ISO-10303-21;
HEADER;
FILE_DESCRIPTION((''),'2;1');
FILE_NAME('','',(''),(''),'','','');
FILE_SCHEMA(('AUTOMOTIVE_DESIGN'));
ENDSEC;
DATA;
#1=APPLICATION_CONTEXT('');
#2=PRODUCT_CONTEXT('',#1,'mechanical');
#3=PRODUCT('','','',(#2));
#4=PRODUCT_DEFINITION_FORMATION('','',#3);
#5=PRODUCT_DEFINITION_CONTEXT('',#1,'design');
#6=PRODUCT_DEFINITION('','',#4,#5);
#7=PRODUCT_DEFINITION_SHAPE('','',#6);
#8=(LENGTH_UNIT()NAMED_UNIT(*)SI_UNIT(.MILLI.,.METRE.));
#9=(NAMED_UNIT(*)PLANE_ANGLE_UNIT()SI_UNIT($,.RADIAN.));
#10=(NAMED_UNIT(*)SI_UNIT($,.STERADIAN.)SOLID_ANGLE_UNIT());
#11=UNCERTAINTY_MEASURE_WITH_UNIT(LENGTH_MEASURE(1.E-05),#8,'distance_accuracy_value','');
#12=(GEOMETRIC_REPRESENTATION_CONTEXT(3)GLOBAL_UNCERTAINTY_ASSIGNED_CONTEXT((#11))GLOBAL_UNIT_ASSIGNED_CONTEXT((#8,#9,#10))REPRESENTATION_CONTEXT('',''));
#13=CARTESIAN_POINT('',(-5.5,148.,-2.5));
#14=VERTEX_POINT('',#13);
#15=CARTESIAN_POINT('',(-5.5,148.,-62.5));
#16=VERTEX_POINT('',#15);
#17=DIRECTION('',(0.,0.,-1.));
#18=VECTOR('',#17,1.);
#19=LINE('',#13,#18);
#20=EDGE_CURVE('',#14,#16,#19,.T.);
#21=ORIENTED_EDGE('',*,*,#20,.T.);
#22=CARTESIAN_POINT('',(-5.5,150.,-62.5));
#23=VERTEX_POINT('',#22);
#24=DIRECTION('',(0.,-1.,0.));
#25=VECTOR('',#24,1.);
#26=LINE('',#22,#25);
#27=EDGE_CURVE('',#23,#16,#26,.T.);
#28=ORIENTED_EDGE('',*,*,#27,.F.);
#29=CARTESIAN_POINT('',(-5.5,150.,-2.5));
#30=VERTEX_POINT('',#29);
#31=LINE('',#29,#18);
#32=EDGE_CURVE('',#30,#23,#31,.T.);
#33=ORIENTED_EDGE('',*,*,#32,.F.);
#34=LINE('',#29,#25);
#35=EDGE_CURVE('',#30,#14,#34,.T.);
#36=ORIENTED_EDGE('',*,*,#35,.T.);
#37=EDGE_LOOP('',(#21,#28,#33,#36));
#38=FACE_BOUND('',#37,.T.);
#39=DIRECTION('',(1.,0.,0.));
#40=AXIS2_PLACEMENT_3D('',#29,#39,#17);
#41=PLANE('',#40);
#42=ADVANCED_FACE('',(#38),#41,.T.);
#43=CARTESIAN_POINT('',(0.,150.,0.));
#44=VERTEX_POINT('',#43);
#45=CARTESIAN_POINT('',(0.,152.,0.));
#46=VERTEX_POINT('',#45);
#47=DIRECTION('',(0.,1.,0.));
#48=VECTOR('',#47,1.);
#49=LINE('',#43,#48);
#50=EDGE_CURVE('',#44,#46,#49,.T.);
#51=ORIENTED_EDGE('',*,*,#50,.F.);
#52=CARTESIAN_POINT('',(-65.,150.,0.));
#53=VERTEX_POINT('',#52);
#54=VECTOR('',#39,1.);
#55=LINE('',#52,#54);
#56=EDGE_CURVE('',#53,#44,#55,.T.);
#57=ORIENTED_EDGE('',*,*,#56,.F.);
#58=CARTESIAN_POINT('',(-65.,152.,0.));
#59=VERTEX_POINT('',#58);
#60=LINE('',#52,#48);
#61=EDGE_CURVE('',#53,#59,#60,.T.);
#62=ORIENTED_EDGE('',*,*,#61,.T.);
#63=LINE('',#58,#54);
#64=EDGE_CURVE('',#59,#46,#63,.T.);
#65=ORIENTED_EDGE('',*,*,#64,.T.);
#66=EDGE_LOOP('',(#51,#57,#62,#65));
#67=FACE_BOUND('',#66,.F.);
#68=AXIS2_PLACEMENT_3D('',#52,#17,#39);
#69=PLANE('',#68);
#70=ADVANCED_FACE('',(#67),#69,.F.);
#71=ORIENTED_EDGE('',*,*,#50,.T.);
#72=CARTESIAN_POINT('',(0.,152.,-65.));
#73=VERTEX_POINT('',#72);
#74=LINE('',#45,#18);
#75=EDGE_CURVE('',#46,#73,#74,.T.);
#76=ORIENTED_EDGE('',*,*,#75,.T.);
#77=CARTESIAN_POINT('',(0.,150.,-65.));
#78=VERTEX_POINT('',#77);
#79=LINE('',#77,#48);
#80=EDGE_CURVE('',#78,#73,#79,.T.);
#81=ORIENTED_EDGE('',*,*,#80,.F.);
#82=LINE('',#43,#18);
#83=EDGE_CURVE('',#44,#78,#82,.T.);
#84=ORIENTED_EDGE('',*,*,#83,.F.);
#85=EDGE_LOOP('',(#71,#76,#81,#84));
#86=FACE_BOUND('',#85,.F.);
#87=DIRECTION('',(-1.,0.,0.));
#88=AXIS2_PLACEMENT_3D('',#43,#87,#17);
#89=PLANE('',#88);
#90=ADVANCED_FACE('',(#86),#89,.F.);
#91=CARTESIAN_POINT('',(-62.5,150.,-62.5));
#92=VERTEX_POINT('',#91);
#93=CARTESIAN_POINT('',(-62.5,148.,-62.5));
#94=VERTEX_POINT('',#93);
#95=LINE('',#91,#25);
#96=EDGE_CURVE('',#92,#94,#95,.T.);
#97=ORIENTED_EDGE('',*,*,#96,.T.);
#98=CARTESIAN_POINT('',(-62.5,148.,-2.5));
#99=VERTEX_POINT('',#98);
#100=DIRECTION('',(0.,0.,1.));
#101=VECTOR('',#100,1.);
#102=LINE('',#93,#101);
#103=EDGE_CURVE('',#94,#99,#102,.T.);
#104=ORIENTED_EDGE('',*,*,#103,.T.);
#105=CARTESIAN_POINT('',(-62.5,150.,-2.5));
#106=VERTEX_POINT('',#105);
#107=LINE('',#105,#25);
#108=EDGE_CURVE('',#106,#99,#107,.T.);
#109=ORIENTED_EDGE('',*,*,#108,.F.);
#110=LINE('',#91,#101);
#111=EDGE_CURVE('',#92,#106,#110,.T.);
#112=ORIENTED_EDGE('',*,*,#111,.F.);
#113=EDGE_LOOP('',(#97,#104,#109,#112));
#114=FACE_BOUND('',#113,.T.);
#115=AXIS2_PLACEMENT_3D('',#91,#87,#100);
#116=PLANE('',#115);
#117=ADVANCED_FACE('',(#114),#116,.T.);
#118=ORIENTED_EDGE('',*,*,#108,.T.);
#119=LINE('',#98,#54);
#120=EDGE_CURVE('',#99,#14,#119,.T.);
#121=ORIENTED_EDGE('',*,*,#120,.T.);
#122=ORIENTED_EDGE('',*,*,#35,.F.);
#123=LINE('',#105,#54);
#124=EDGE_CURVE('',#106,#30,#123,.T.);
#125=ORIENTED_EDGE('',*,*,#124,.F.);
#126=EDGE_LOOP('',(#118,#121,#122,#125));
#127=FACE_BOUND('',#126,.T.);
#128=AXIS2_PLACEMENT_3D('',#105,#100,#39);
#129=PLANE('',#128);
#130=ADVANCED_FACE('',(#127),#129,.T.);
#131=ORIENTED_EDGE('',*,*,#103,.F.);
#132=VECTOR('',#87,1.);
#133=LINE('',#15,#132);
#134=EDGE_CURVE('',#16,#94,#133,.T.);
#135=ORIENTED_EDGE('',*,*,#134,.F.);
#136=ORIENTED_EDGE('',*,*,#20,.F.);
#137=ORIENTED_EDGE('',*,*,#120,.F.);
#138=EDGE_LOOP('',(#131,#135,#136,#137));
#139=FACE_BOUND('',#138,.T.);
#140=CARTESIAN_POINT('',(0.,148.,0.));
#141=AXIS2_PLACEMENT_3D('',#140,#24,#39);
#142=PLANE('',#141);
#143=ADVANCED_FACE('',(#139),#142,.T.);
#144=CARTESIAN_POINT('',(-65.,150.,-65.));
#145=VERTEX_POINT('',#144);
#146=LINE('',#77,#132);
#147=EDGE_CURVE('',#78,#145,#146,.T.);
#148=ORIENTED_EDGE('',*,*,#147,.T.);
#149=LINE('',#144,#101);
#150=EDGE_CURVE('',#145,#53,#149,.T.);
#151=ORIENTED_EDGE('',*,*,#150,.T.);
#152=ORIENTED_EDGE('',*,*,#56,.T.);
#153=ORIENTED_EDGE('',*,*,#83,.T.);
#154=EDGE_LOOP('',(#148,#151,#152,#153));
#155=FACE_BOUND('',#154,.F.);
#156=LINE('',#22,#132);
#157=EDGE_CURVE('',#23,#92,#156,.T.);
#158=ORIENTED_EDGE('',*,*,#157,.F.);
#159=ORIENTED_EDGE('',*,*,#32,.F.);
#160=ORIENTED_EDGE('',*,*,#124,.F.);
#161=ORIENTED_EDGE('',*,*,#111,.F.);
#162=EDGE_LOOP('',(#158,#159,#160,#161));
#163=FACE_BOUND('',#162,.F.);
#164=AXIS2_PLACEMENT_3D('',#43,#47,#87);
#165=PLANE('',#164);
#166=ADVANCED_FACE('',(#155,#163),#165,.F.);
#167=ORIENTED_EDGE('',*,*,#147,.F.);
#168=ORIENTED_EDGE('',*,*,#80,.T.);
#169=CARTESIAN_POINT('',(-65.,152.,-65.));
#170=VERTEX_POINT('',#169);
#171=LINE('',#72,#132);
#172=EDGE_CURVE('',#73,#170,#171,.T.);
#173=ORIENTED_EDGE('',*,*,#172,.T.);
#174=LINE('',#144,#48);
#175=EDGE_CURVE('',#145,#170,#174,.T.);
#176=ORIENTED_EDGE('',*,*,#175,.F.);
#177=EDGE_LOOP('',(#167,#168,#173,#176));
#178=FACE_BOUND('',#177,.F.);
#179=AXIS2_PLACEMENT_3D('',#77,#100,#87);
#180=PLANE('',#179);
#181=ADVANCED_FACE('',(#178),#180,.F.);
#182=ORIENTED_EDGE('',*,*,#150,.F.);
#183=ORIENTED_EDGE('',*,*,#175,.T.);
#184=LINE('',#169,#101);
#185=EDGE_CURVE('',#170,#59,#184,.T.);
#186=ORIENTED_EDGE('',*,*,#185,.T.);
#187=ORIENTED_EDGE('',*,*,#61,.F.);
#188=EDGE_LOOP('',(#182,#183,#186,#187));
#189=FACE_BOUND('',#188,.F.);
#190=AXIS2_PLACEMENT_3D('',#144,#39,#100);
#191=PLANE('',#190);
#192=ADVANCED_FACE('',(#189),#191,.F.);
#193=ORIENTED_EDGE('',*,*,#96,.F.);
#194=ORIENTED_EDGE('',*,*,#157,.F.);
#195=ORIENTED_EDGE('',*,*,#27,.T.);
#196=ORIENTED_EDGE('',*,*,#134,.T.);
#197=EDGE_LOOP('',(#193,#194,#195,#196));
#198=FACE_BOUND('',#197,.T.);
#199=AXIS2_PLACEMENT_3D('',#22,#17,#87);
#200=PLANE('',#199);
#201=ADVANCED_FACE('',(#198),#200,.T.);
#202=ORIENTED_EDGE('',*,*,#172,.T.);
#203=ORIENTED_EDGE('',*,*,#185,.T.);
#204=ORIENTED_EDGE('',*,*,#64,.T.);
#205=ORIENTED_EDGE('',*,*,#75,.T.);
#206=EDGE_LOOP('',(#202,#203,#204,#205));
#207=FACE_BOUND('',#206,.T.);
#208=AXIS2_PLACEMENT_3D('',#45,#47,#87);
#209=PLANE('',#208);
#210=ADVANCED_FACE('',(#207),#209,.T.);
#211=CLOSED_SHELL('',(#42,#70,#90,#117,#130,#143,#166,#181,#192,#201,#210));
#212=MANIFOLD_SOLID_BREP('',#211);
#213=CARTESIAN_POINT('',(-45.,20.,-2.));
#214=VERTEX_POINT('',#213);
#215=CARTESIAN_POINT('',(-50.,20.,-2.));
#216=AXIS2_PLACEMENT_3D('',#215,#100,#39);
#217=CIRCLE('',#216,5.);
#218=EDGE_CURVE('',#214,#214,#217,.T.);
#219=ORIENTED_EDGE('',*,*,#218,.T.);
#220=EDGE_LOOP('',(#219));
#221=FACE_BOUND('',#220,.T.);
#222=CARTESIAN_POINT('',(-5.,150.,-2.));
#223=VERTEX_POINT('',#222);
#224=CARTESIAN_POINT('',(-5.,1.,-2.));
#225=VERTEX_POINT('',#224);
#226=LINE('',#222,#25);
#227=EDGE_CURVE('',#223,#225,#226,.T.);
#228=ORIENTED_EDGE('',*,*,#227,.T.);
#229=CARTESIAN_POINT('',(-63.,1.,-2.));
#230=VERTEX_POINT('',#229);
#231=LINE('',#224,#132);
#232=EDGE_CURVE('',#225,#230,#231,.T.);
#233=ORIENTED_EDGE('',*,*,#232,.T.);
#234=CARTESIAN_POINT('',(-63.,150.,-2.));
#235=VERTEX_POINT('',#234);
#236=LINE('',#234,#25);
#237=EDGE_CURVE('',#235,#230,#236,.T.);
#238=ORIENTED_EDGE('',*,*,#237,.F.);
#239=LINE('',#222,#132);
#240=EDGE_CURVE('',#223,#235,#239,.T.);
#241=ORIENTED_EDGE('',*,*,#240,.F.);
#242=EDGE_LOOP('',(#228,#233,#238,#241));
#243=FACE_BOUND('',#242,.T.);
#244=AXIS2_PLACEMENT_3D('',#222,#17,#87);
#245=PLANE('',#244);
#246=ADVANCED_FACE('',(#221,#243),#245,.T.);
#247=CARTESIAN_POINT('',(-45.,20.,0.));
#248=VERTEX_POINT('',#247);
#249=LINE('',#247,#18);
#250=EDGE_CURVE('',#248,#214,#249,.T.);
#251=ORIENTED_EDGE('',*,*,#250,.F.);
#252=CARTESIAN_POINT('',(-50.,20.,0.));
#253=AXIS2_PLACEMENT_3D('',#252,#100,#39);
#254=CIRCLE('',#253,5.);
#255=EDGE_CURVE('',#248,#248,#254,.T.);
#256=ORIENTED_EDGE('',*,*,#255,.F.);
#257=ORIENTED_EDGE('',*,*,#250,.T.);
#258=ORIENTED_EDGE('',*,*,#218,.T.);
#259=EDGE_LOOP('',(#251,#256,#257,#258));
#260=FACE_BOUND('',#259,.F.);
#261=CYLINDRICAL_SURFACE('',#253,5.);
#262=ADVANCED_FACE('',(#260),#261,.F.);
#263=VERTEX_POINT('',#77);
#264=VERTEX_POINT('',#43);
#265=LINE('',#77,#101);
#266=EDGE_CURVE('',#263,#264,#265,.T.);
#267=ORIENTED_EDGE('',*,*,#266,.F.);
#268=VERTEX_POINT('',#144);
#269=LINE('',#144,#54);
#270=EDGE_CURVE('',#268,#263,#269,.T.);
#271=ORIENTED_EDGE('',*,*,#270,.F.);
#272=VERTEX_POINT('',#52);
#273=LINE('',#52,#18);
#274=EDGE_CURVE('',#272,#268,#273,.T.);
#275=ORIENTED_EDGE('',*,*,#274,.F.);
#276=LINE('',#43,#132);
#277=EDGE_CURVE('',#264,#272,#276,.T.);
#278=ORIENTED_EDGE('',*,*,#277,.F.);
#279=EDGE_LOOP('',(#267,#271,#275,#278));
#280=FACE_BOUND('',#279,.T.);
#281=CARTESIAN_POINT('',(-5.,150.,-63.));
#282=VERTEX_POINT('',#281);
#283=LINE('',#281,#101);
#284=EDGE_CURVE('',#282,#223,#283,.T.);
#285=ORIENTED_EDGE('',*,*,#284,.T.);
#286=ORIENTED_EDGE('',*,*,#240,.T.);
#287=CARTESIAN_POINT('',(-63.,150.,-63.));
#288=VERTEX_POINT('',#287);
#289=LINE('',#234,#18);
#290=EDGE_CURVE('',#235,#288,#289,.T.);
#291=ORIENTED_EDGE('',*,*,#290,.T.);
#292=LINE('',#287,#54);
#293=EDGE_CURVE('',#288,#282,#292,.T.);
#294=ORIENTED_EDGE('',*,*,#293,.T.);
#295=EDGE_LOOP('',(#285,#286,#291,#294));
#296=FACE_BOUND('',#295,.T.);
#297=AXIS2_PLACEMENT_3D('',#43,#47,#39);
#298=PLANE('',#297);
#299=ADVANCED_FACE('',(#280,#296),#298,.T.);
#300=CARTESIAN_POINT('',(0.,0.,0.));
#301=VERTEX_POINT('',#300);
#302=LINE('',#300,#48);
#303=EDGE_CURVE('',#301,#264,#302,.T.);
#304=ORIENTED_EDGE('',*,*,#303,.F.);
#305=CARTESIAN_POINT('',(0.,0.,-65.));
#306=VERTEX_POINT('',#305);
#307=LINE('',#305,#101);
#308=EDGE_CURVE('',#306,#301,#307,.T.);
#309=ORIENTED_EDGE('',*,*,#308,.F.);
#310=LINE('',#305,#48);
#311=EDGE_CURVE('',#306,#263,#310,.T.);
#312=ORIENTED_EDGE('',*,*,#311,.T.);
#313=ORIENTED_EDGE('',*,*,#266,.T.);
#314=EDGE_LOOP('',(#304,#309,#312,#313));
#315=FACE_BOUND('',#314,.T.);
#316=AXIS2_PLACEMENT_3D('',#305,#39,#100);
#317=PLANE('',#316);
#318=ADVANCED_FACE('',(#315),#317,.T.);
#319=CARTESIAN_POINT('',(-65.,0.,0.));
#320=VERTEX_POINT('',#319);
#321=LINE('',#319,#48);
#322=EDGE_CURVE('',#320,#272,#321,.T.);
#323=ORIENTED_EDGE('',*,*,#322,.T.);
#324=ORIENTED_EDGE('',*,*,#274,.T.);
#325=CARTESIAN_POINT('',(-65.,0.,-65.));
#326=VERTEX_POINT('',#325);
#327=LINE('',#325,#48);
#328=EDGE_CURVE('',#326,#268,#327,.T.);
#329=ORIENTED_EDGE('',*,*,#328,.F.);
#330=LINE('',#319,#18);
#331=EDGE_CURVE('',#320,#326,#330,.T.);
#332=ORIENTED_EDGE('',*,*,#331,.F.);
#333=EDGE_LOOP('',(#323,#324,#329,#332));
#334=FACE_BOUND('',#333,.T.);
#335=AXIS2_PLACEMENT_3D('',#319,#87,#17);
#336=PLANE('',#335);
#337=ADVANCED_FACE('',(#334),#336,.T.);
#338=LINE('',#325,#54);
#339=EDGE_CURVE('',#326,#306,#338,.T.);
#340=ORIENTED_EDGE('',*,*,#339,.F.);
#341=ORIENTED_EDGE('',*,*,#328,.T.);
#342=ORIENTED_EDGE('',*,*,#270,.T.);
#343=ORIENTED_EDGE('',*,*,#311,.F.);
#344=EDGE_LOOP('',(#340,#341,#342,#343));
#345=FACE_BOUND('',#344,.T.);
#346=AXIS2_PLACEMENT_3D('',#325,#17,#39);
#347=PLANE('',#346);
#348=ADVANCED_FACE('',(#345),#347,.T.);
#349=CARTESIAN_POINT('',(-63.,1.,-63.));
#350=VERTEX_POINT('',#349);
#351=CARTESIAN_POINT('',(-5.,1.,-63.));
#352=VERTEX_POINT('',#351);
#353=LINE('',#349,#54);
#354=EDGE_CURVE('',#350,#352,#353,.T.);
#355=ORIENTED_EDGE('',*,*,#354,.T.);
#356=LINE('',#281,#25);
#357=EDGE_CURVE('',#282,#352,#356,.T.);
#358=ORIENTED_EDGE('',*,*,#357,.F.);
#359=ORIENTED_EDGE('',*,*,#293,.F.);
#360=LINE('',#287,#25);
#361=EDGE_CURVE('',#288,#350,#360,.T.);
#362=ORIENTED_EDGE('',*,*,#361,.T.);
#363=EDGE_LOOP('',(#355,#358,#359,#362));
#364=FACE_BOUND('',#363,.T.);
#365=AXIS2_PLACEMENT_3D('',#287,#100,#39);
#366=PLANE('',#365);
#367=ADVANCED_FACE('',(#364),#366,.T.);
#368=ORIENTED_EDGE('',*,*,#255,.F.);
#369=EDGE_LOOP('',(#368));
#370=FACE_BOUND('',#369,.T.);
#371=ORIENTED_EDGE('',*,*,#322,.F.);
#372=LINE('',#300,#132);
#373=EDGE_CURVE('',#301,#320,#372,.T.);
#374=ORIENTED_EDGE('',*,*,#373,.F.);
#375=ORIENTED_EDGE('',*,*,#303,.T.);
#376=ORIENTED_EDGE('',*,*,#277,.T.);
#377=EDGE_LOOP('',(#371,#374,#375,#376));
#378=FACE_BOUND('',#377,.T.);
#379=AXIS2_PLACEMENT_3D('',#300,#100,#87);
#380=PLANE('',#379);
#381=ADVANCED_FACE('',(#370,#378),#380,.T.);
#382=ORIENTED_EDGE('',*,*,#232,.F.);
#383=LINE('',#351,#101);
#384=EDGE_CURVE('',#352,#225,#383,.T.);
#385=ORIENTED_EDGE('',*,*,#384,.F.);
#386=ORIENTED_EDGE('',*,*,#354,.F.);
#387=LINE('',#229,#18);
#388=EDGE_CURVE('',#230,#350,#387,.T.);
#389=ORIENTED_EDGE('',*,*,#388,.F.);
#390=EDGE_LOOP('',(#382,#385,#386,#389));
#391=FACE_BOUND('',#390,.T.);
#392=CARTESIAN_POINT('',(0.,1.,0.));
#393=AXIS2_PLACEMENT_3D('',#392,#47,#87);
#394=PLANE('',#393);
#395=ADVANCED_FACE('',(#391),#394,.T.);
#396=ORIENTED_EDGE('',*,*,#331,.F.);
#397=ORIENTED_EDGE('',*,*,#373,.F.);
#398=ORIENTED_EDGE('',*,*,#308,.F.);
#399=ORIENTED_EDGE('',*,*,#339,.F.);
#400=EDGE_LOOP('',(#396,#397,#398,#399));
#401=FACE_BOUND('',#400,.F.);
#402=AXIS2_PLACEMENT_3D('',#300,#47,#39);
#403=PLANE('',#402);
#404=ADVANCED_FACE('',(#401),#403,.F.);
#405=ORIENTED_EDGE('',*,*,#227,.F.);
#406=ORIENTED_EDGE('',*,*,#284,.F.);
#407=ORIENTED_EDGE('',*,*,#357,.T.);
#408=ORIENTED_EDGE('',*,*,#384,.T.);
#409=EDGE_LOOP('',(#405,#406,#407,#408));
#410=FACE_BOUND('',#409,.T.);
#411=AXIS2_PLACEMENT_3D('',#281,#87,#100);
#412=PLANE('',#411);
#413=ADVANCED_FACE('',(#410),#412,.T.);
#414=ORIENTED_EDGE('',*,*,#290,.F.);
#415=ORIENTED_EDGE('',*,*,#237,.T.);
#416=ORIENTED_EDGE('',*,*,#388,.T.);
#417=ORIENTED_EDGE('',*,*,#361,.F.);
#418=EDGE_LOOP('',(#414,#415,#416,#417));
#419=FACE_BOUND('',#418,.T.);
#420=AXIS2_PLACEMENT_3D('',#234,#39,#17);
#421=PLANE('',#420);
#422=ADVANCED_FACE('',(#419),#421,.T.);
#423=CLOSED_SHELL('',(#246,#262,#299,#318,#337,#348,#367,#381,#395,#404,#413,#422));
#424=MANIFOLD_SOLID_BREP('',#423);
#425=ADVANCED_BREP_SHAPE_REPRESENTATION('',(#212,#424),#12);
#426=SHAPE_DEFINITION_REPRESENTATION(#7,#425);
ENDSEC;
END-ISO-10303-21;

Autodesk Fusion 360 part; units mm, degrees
sketch "Boceto2" plane through (0, 0, 0) normal (0, 1, 0) x (1, 0, 0)
  line L0 (0, 0) -> (-65, 0)
  line L1 (-65, 0) -> (-65, 65)
  line L2 (-65, 65) -> (0, 65)
  line L3 (0, 65) -> (0, 0)
  dimension "d3" = 65
  dimension "d4" = 65
extrude "Extruir3" add sketch "Boceto2" along normal blind 150 makes body 1
sketch "Boceto4" plane through (0, 150, 0) normal (0, 1, 0) x (-1, 0, 0)
  line L0 (0, -65) -> (65, -65)
  line L1 (65, -65) -> (65, 0)
  line L2 (65, 0) -> (0, 0)
  line L3 (0, 0) -> (0, -65)
  line L4 (5, -2) -> (63, -2)
  line L5 (63, -2) -> (63, -63)
  line L6 (63, -63) -> (5, -63)
  line L7 (5, -63) -> (5, -2)
  dimension "d13" = 5
  dimension "d14" = 2
  dimension "d15" = 2
  dimension "d16" = 2
extrude "Extruir5" cut sketch "Boceto4" against normal blind 149 contours L4 L5 L6 L7 bodies 1
sketch "Boceto5" plane through (0, 150, 0) normal (0, 1, 0) x (-1, 0, 0)
  line L0 (63, -2) -> (63, -63)
  line L1 (63, -63) -> (5, -63)
  line L2 (5, -63) -> (5, -2)
  line L3 (5, -2) -> (63, -2)
  line L4 (0, -65) -> (65, -65)
  line L5 (65, -65) -> (65, 0)
  line L6 (65, 0) -> (0, 0)
  line L7 (0, 0) -> (0, -65)
  line L8 (0, 0) -> (65, 0)
  line L9 (65, 0) -> (65, -65)
  line L10 (65, -65) -> (0, -65)
  line L11 (0, -65) -> (0, 0)
extrude "Extruir6" add sketch "Boceto5" along normal blind 2 separate body contours L0 L1 L2 L3 | L4 L5 L6 L7 L8 L9 L10 L11 makes body 2
sketch "Boceto6" plane through (0, 150, 0) normal (0, -1, 0) x (1, 0, 0)
  line L0 (-65, -65) -> (0, -65)
  line L1 (0, -65) -> (0, 0)
  line L2 (0, 0) -> (-65, 0)
  line L3 (-65, 0) -> (-65, -65)
  line L4 (-5.5, -62.5) -> (-62.5, -62.5)
  line L5 (-62.5, -62.5) -> (-62.5, -2.5)
  line L6 (-62.5, -2.5) -> (-5.5, -2.5)
  line L7 (-5.5, -2.5) -> (-5.5, -62.5)
  dimension "d21" = 5.5
  dimension "d22" = 2.5
  dimension "d23" = 2.5
  dimension "d24" = 2.5
extrude "Extruir7" add sketch "Boceto6" along normal blind 2 contours L4 L5 L6 L7 bodies 2
sketch "Boceto7" plane through (0, 0, 0) normal (0, 0, 1) x (1, 0, 0)
  line L0 (-65, 0) -> (0, 0)
  line L1 (0, 0) -> (0, 150)
  line L2 (0, 150) -> (-65, 150)
  line L3 (-65, 150) -> (-65, 0)
  circle A0 centre (-50, 20) radius 5
  dimension "d27" = 10
extrude "Extruir8" cut sketch "Boceto7" against normal up to surface (2 mm away) contours A0 bodies 1
sketch "Boceto8" plane through (0, 152, 0) normal (0, 1, 0) x (-1, 0, 0)
  line L0 (0, -65) -> (65, -65)
  line L1 (65, -65) -> (65, 0)
  line L2 (65, 0) -> (0, 0)
  line L3 (0, 0) -> (0, -65)
  circle A0 centre (25, -25) radius 2.5
  circle A1 centre (25, -32.5) radius 2.5
  circle A2 centre (25, -40) radius 2.5
  dimension "d31" = 5
  dimension "d32" = 5
  dimension "d33" = 5
  dimension "d34" = 25
  dimension "d35" = 25
  dimension "d36" = 25
  dimension "d37" = 25
  dimension "d38" = 32.5
  dimension "d39" = 25
